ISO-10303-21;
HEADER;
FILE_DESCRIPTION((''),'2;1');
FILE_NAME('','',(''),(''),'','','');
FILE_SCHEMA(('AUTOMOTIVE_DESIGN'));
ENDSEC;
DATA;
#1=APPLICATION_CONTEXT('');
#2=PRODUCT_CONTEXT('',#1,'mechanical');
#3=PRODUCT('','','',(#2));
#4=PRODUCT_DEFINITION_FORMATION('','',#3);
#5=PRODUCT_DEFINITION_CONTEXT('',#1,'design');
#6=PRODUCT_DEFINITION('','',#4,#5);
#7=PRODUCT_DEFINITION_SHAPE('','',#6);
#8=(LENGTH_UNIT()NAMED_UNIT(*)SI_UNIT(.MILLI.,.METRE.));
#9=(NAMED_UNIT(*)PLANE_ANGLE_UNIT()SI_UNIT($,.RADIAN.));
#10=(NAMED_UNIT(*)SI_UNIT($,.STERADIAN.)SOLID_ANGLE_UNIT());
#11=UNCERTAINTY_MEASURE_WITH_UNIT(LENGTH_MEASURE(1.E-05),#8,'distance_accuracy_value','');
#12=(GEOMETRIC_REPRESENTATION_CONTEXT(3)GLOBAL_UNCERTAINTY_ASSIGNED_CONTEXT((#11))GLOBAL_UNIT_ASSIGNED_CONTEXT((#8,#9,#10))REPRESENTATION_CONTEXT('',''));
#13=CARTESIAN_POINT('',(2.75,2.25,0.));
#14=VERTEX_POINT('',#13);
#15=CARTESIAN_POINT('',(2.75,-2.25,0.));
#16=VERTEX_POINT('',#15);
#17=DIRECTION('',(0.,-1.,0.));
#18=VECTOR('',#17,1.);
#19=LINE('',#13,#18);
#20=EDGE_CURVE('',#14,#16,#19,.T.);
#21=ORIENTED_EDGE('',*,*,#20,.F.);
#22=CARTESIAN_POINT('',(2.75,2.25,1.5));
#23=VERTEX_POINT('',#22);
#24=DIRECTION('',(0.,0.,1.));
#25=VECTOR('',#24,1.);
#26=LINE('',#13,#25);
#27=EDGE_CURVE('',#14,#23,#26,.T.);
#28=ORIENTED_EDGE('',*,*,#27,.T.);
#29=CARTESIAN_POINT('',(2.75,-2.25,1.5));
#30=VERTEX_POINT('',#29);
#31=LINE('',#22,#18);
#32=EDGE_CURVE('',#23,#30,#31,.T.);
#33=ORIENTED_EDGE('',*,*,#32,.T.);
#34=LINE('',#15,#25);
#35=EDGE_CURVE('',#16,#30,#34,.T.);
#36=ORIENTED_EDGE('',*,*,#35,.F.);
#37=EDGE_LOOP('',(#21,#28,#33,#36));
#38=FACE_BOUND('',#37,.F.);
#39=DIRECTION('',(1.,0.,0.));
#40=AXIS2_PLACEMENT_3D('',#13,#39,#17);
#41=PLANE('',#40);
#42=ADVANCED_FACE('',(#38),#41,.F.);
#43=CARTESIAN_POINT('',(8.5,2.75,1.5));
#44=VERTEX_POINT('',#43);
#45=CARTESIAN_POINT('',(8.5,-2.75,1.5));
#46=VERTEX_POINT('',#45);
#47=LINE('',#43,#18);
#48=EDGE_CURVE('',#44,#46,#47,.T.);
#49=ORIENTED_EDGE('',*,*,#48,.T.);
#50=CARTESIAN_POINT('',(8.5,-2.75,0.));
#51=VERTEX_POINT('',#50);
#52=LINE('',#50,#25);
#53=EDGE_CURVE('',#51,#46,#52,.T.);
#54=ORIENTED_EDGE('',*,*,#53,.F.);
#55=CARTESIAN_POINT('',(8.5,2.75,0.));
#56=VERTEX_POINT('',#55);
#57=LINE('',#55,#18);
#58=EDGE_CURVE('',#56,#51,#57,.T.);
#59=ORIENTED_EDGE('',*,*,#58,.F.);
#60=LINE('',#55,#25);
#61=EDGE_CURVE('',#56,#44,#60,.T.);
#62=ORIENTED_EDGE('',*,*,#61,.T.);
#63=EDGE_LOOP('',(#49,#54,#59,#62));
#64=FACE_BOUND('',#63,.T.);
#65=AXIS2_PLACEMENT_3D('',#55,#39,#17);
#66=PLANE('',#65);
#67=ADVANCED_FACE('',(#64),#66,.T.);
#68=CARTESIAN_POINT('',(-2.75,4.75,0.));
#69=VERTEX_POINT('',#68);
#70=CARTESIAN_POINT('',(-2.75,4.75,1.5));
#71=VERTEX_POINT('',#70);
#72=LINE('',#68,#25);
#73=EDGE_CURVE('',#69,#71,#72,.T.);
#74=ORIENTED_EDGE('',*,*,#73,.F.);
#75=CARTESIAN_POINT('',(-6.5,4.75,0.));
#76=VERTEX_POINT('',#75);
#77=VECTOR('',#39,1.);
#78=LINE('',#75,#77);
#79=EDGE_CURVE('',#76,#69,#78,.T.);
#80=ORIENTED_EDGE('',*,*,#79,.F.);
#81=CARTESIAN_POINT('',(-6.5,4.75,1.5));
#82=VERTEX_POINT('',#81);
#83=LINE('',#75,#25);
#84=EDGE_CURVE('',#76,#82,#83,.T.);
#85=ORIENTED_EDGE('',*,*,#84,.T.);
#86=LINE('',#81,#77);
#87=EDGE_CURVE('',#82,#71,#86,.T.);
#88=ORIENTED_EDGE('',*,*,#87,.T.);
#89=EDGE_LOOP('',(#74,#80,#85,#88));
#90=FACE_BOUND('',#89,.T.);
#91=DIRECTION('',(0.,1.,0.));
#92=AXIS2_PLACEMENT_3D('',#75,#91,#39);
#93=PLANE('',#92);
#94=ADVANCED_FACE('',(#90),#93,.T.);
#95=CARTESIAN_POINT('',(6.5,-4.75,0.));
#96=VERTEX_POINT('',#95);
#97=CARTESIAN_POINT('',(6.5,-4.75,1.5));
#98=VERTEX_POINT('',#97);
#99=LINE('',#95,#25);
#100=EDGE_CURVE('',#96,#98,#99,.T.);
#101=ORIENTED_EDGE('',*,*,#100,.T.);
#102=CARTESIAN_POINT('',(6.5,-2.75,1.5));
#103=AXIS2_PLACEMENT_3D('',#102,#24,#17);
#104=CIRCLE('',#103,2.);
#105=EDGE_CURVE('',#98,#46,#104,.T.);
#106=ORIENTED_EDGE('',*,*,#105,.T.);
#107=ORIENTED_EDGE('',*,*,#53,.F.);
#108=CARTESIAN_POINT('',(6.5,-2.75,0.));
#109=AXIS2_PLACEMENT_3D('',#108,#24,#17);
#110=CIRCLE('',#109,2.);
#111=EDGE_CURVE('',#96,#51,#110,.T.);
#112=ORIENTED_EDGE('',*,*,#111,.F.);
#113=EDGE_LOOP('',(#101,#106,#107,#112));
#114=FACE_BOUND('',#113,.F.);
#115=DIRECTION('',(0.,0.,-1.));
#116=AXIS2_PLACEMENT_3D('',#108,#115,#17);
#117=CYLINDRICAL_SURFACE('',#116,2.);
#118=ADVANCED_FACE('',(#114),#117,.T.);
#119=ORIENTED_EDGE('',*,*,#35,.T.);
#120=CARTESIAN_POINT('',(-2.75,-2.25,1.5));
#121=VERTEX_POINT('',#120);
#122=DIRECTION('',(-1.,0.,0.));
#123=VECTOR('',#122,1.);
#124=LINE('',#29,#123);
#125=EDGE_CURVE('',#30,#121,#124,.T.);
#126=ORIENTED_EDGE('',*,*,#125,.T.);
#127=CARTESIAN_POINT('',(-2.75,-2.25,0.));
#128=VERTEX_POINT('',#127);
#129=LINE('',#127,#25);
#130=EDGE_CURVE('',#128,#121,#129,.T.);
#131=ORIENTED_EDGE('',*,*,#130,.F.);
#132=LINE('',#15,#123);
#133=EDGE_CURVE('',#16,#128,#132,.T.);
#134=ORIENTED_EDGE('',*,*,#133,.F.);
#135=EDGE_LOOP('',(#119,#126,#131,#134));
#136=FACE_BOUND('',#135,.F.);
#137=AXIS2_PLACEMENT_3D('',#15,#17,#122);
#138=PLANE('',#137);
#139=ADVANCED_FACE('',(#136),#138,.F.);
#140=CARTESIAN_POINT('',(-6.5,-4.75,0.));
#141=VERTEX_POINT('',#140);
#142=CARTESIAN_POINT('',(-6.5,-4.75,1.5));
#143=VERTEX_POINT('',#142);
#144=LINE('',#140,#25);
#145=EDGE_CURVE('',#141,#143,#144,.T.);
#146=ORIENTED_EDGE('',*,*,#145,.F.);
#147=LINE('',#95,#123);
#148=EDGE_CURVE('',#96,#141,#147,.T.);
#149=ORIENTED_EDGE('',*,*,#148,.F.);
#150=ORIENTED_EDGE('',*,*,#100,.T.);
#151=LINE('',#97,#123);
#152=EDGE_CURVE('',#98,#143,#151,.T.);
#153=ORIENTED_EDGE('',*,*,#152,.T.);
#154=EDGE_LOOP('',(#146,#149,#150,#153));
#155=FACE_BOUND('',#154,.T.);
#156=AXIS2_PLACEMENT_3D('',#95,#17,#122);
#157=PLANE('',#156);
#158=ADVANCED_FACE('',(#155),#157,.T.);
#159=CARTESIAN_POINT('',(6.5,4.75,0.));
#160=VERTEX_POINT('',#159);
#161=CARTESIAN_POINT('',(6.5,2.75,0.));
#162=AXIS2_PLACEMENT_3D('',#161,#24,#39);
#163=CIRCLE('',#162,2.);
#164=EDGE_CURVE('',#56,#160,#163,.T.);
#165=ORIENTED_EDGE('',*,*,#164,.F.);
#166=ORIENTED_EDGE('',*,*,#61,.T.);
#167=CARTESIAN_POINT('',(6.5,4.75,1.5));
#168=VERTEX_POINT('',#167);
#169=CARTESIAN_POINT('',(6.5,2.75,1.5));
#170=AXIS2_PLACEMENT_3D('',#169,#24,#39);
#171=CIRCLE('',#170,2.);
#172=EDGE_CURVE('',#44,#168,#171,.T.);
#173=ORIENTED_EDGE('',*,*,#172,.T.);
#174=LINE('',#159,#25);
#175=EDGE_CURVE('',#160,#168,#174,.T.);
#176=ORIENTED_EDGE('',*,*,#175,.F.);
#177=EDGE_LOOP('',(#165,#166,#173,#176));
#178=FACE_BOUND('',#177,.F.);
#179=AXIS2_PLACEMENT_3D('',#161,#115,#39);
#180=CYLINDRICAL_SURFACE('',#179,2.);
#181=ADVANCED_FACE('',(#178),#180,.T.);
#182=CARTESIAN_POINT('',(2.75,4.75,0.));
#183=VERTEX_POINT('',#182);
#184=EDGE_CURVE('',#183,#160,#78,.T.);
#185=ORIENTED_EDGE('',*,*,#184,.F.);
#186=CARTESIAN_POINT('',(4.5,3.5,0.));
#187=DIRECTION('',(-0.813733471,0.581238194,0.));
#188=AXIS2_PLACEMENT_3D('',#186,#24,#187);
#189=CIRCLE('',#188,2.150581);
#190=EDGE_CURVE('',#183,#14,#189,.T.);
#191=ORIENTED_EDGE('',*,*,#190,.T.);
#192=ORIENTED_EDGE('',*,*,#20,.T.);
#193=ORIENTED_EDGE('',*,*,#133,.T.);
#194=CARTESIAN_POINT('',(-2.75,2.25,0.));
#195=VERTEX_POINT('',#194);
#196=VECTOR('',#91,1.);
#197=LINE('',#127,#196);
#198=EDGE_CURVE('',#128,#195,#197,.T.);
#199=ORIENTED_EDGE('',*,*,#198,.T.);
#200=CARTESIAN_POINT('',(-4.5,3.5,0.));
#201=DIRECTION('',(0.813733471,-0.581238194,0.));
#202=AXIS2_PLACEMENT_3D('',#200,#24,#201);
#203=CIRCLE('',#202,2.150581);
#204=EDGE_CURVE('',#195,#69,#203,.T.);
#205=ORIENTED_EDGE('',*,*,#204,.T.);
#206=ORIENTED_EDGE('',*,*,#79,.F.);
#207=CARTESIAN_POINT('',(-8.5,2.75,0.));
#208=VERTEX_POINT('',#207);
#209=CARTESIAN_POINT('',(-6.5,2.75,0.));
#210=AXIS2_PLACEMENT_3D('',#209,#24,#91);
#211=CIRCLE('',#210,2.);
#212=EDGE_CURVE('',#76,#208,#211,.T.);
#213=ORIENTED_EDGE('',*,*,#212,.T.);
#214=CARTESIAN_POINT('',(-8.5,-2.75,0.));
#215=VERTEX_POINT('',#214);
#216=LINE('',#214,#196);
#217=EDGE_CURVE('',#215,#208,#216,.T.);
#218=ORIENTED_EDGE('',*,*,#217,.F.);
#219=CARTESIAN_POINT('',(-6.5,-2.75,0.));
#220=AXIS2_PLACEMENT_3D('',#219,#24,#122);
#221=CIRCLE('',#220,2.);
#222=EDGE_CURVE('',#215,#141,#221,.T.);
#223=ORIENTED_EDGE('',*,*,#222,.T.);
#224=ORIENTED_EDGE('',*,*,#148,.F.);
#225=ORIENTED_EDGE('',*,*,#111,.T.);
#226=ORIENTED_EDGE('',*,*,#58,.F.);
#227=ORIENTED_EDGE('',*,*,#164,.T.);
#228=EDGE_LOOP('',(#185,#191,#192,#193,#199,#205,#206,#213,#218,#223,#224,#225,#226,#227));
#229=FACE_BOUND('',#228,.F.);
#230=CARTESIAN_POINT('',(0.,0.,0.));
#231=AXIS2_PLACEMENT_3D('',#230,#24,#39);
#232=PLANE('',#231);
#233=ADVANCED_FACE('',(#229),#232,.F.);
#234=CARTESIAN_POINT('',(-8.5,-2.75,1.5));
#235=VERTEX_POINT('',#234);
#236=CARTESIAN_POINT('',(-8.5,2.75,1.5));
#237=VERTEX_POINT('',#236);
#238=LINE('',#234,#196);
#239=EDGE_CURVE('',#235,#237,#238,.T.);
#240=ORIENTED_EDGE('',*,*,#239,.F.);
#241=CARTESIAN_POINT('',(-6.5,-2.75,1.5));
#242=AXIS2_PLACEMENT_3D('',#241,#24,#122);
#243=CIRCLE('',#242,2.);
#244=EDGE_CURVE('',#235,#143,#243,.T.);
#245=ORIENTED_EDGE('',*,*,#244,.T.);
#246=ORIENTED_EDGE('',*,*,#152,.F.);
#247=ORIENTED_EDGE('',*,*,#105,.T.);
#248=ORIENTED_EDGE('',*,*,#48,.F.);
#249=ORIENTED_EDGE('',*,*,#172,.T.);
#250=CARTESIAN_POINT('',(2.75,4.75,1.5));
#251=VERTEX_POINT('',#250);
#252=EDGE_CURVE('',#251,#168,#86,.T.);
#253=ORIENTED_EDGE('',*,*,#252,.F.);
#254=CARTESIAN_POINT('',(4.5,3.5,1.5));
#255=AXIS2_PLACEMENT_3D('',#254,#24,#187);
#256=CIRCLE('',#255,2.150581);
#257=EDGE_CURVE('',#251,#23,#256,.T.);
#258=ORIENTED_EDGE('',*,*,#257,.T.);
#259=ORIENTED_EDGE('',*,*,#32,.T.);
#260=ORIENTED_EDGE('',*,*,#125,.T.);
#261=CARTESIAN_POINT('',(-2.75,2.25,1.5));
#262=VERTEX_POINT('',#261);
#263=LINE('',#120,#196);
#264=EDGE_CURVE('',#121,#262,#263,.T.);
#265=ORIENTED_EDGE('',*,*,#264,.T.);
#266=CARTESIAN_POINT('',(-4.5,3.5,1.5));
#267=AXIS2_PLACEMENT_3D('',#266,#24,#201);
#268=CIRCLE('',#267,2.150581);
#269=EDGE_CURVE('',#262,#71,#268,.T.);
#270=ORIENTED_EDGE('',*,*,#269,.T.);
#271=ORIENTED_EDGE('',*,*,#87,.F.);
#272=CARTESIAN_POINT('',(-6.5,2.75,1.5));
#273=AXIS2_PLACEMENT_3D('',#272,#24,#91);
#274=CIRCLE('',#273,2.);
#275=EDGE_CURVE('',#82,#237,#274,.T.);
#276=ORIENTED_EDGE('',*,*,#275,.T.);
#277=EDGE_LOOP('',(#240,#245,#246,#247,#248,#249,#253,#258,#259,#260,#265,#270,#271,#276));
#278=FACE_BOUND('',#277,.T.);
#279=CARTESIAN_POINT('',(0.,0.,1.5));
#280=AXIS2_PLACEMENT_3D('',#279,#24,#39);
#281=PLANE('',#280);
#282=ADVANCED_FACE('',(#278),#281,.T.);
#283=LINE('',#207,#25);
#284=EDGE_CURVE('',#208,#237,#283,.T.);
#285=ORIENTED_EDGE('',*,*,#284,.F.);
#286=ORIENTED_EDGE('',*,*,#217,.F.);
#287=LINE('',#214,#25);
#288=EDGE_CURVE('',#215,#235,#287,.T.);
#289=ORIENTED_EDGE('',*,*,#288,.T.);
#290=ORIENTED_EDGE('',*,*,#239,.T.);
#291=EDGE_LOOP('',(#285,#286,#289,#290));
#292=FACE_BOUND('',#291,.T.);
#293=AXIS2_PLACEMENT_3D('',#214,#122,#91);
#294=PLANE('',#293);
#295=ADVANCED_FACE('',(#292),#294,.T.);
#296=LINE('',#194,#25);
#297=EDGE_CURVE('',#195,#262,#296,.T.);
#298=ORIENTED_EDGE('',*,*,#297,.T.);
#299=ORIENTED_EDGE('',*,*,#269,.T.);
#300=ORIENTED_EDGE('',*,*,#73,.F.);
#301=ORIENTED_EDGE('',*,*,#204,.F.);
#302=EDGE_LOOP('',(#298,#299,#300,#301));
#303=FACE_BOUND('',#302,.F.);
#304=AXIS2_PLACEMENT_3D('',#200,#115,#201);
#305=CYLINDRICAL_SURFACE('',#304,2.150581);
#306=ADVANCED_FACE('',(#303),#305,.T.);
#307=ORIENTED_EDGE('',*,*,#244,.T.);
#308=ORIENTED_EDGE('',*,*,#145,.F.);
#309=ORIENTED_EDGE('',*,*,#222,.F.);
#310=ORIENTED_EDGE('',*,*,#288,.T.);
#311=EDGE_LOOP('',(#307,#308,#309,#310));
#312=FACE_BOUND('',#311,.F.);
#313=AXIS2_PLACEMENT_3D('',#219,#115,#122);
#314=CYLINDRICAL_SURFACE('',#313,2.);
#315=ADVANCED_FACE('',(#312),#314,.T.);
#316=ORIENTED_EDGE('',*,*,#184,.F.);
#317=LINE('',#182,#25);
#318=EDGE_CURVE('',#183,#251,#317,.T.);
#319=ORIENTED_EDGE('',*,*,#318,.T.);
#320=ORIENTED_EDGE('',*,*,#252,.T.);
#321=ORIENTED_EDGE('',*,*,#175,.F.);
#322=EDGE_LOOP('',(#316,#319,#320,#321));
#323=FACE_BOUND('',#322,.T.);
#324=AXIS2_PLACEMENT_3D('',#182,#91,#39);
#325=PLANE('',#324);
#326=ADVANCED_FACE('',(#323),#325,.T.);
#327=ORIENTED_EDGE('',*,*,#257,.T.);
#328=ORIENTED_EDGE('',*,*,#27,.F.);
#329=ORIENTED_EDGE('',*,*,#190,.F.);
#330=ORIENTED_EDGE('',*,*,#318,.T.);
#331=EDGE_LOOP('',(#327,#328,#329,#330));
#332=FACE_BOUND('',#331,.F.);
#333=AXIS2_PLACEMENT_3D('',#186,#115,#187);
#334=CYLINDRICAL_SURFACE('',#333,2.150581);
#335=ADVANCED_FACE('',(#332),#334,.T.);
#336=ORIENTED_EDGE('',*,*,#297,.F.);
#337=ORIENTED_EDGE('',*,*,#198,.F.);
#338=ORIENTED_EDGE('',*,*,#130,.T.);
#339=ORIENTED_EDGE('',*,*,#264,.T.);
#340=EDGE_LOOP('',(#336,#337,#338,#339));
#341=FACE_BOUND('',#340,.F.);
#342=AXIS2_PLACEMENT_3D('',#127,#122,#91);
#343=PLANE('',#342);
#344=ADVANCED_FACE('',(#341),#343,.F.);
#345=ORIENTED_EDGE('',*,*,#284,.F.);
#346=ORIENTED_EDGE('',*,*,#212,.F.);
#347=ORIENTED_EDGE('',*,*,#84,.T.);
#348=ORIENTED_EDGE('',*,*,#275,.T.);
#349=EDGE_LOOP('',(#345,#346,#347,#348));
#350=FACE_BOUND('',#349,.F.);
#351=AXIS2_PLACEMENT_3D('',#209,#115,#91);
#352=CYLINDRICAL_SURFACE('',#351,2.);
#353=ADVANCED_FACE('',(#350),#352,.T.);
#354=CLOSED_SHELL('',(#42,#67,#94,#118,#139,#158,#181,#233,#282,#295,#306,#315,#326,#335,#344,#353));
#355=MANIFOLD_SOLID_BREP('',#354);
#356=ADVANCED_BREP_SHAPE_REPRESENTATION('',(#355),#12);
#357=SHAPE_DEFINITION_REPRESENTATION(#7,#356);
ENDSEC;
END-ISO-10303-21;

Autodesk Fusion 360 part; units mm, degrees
sketch "Skizze1" plane through (0, 0, 0) normal (0, 0, 1) x (1, 0, 0)
  line L0 (6.5, -4.75) -> (-6.5, -4.75)
  line L1 (-8.5, -2.75) -> (-8.5, 2.75)
  line L2 (-6.5, 4.75) -> (6.5, 4.75)
  line L3 (8.5, 2.75) -> (8.5, -2.75)
  line L4 (8.5, -4.75) -> (-8.5, 4.75) construction
  line L5 (-8.5, -4.75) -> (8.5, 4.75) construction
  arc A0 (-6.5, 4.75) -> (-8.5, 2.75) centre (-6.5, 2.75) ccw
  arc A1 (8.5, 2.75) -> (6.5, 4.75) centre (6.5, 2.75) ccw
  arc A2 (6.5, -4.75) -> (8.5, -2.75) centre (6.5, -2.75) ccw
  arc A3 (-8.5, -2.75) -> (-6.5, -4.75) centre (-6.5, -2.75) ccw
  line L6 (2.75, -2.25) -> (-2.75, -2.25)
  line L7 (-2.75, -2.25) -> (-2.75, 2.25)
  line L8 (-2.75, 2.25) -> (2.75, 2.25)
  line L9 (2.75, 2.25) -> (2.75, -2.25)
  line L10 (2.75, -2.25) -> (-2.75, 2.25) construction
  line L11 (-2.75, -2.25) -> (2.75, 2.25) construction
  line L12 (-2.75, 2.25) -> (-2.75, 4.75)
  line L13 (2.75, 2.25) -> (2.75, 4.75)
  arc A4 (-2.75, 2.25) -> (-2.75, 4.75) centre (-4.5, 3.5) ccw
  arc A5 (2.75, 4.75) -> (2.75, 2.25) centre (4.5, 3.5) ccw
  dimension "d487" = 17
  dimension "d488" = 9.5
  dimension "d489" = 2
  dimension "d491" = 5.5
  dimension "d492" = 4.5
  dimension "d501" = 9
extrude "Extrusion1" add sketch "Skizze1" along normal blind 1.5 contours L0 L1 L2 L3 A0 A1 A2 A3 L6 L7 L9 L12 L13 | L13 A5 | L12 A4
